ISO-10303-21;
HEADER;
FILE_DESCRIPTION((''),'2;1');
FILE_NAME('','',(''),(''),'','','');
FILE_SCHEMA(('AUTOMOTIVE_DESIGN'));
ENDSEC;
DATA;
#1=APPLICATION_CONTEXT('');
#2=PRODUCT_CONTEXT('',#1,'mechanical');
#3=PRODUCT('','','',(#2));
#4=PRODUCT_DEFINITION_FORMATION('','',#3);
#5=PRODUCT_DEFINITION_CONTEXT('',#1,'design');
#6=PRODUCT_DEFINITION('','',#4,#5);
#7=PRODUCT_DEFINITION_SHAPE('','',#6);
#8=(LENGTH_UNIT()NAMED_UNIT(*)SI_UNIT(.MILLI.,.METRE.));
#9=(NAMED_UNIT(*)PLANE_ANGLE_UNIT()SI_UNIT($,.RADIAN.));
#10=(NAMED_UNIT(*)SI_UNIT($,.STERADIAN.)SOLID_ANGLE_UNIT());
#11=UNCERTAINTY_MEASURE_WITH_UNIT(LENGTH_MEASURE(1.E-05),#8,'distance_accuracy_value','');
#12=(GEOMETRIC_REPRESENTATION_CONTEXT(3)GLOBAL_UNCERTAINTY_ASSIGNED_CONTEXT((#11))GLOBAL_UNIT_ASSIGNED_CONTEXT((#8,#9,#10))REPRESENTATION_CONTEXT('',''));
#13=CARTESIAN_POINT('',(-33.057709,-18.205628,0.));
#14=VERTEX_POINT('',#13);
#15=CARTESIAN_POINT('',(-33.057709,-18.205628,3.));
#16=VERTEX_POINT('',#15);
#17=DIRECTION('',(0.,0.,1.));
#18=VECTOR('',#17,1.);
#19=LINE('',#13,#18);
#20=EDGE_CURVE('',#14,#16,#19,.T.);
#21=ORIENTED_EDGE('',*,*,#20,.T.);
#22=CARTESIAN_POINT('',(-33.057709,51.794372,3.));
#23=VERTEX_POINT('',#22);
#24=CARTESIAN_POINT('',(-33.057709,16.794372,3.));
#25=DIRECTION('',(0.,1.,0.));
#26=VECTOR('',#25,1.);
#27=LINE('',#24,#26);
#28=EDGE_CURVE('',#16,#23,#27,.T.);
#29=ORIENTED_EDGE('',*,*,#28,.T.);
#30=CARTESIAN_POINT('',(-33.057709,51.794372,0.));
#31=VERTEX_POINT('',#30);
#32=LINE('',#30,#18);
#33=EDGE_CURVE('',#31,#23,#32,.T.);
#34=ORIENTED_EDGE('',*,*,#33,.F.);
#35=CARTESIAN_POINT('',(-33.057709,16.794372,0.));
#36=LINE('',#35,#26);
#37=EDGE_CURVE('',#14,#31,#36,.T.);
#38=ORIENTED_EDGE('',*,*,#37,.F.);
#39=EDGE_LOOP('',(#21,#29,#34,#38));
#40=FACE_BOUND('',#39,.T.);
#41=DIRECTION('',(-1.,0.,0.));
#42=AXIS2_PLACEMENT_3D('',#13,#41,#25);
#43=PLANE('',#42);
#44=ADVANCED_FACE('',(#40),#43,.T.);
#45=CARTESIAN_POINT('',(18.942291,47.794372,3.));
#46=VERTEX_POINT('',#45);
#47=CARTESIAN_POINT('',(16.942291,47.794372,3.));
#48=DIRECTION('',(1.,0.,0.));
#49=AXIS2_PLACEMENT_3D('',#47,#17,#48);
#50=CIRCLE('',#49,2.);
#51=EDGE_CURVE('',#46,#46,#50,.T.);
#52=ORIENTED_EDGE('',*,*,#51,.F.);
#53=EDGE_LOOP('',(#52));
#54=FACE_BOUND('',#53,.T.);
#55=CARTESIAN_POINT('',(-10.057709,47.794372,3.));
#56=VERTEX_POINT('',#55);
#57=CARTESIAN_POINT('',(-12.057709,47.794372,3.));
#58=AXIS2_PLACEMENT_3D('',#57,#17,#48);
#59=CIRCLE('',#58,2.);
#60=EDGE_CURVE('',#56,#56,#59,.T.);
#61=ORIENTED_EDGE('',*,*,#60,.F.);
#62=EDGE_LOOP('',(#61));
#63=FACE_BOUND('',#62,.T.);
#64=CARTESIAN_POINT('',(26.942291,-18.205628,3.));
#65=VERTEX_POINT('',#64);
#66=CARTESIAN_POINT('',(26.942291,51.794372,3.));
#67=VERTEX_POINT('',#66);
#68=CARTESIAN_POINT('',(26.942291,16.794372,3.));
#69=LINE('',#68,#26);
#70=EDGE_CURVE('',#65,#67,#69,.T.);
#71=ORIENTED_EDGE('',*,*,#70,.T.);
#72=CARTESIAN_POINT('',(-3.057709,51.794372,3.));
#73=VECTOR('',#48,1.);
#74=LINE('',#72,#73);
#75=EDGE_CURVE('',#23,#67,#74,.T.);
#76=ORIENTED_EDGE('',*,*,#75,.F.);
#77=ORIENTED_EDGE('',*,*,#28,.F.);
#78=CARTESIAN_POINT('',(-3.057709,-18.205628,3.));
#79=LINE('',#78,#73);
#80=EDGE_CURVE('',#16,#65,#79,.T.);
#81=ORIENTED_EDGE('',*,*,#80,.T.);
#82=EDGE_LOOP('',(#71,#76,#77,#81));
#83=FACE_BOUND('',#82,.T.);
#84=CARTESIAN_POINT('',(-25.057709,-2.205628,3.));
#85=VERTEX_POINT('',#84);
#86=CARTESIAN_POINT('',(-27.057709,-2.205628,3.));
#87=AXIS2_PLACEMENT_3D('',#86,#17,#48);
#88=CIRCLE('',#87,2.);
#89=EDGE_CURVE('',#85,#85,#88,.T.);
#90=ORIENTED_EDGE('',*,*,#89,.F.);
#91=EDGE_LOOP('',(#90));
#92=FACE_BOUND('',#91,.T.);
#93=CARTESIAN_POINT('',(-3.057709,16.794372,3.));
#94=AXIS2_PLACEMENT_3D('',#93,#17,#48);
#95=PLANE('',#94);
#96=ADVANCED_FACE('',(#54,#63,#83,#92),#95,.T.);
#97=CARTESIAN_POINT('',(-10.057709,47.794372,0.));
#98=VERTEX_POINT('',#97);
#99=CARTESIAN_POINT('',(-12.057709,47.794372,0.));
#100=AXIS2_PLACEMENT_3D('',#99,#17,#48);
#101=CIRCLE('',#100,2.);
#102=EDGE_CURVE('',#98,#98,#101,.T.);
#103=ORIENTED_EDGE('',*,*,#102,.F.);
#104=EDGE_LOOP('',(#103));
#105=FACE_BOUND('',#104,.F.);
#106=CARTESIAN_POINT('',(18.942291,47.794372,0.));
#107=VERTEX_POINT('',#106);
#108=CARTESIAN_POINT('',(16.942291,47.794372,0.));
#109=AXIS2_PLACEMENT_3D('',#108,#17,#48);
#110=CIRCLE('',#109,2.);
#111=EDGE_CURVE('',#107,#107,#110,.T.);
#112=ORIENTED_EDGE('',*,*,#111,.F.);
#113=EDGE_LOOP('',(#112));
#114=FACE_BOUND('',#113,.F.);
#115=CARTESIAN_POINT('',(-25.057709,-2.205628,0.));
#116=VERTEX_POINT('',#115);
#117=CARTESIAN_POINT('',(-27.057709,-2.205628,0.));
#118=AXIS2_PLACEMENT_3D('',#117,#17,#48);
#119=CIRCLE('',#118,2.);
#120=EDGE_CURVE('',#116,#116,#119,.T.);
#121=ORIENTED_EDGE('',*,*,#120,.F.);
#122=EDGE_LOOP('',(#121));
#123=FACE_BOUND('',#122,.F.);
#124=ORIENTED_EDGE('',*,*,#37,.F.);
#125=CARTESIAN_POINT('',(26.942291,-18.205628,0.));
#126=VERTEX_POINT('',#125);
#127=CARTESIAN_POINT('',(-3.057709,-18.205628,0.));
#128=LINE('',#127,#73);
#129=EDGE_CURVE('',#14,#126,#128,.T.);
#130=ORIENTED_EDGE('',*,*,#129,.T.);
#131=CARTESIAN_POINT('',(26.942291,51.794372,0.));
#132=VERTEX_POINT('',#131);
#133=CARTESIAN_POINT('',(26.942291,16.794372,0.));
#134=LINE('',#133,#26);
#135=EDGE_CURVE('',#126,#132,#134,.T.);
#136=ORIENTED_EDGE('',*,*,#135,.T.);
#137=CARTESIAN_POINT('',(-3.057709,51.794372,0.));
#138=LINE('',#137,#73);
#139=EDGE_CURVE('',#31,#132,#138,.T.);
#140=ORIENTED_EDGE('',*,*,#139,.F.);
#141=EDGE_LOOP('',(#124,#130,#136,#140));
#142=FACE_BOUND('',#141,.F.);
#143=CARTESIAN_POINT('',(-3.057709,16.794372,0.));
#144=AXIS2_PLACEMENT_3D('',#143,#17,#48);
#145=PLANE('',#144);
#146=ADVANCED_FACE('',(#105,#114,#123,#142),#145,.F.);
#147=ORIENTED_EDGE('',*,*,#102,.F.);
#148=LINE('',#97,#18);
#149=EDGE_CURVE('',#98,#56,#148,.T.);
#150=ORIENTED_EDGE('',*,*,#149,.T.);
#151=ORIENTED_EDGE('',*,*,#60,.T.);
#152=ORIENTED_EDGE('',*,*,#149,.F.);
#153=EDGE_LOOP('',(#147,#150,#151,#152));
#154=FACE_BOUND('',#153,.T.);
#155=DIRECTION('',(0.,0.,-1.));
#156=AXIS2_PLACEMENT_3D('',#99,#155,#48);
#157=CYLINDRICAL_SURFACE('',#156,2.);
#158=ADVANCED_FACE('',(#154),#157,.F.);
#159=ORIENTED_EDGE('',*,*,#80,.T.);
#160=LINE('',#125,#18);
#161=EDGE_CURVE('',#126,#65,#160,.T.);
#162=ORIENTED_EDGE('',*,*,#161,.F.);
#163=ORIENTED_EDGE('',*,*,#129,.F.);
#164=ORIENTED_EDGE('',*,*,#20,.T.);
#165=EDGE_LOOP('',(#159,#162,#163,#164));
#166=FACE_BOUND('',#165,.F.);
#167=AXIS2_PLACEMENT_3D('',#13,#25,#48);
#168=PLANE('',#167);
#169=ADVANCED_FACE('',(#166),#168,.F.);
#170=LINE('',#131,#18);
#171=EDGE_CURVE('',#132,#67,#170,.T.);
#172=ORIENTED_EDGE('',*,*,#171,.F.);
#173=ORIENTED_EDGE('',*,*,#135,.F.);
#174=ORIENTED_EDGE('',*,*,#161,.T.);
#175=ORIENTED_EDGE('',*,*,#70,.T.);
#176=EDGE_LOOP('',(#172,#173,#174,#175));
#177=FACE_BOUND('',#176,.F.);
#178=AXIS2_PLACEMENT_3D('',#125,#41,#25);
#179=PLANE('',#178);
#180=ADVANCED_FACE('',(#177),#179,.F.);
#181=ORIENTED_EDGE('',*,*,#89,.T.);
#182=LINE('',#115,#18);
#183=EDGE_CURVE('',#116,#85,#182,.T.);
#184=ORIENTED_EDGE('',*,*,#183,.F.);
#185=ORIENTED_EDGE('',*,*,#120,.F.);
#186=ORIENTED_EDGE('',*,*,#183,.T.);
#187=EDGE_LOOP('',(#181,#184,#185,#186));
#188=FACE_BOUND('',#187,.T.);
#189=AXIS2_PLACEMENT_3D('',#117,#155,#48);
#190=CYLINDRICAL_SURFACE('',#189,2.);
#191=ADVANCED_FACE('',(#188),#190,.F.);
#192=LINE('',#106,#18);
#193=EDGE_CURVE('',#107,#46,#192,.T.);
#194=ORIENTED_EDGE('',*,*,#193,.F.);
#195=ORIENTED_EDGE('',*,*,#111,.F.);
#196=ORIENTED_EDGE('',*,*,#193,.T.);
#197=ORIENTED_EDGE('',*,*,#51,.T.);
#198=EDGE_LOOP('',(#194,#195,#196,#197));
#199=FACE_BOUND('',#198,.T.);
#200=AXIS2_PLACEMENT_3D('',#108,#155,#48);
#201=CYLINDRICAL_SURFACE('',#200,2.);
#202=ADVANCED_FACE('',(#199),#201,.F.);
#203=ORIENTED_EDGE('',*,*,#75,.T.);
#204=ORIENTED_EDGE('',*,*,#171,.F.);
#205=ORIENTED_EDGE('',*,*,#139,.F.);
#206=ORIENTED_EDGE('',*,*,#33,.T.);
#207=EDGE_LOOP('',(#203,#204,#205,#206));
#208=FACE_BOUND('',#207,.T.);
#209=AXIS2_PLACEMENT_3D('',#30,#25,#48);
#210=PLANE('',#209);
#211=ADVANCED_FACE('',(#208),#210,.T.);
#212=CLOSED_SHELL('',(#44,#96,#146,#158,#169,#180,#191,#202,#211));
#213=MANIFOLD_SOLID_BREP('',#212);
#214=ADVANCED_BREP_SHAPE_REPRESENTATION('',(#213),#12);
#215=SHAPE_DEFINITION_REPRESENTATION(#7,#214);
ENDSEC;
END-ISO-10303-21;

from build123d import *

# Parameters (mm, degrees)
F0_W     = 60
F0_H     = 70
F0_W_2   = 54
F0_H_2   = 68
F1_DEPTH = 3
F0_R     = 2
F2_DEPTH = 3


with BuildPart() as f1:
    # F0 (on Top) → F1 (new body)
    with BuildSketch(Plane.XY):
        with Locations((-3.057709, 16.794372)):
            Rectangle(F0_W, F0_H)
        with Locations((-3.057709, 16.794372)):
            Rectangle(F0_W_2, F0_H_2, mode=Mode.SUBTRACT)
    extrude(amount=F1_DEPTH)

    # F0 (on Top) → F2 (join)
    with BuildSketch(Plane.XY):
        with Locations((-3.057709, 16.794372)):
            Rectangle(F0_W_2, F0_H_2)
        with Locations((-27.057709, -2.205628)):
            Circle(F0_R, mode=Mode.SUBTRACT)
        with Locations((-12.057709, 47.794372)):
            Circle(F0_R, mode=Mode.SUBTRACT)
        with Locations((16.942291, 47.794372)):
            Circle(F0_R, mode=Mode.SUBTRACT)
    extrude(amount=F2_DEPTH)


solid = f1.part
